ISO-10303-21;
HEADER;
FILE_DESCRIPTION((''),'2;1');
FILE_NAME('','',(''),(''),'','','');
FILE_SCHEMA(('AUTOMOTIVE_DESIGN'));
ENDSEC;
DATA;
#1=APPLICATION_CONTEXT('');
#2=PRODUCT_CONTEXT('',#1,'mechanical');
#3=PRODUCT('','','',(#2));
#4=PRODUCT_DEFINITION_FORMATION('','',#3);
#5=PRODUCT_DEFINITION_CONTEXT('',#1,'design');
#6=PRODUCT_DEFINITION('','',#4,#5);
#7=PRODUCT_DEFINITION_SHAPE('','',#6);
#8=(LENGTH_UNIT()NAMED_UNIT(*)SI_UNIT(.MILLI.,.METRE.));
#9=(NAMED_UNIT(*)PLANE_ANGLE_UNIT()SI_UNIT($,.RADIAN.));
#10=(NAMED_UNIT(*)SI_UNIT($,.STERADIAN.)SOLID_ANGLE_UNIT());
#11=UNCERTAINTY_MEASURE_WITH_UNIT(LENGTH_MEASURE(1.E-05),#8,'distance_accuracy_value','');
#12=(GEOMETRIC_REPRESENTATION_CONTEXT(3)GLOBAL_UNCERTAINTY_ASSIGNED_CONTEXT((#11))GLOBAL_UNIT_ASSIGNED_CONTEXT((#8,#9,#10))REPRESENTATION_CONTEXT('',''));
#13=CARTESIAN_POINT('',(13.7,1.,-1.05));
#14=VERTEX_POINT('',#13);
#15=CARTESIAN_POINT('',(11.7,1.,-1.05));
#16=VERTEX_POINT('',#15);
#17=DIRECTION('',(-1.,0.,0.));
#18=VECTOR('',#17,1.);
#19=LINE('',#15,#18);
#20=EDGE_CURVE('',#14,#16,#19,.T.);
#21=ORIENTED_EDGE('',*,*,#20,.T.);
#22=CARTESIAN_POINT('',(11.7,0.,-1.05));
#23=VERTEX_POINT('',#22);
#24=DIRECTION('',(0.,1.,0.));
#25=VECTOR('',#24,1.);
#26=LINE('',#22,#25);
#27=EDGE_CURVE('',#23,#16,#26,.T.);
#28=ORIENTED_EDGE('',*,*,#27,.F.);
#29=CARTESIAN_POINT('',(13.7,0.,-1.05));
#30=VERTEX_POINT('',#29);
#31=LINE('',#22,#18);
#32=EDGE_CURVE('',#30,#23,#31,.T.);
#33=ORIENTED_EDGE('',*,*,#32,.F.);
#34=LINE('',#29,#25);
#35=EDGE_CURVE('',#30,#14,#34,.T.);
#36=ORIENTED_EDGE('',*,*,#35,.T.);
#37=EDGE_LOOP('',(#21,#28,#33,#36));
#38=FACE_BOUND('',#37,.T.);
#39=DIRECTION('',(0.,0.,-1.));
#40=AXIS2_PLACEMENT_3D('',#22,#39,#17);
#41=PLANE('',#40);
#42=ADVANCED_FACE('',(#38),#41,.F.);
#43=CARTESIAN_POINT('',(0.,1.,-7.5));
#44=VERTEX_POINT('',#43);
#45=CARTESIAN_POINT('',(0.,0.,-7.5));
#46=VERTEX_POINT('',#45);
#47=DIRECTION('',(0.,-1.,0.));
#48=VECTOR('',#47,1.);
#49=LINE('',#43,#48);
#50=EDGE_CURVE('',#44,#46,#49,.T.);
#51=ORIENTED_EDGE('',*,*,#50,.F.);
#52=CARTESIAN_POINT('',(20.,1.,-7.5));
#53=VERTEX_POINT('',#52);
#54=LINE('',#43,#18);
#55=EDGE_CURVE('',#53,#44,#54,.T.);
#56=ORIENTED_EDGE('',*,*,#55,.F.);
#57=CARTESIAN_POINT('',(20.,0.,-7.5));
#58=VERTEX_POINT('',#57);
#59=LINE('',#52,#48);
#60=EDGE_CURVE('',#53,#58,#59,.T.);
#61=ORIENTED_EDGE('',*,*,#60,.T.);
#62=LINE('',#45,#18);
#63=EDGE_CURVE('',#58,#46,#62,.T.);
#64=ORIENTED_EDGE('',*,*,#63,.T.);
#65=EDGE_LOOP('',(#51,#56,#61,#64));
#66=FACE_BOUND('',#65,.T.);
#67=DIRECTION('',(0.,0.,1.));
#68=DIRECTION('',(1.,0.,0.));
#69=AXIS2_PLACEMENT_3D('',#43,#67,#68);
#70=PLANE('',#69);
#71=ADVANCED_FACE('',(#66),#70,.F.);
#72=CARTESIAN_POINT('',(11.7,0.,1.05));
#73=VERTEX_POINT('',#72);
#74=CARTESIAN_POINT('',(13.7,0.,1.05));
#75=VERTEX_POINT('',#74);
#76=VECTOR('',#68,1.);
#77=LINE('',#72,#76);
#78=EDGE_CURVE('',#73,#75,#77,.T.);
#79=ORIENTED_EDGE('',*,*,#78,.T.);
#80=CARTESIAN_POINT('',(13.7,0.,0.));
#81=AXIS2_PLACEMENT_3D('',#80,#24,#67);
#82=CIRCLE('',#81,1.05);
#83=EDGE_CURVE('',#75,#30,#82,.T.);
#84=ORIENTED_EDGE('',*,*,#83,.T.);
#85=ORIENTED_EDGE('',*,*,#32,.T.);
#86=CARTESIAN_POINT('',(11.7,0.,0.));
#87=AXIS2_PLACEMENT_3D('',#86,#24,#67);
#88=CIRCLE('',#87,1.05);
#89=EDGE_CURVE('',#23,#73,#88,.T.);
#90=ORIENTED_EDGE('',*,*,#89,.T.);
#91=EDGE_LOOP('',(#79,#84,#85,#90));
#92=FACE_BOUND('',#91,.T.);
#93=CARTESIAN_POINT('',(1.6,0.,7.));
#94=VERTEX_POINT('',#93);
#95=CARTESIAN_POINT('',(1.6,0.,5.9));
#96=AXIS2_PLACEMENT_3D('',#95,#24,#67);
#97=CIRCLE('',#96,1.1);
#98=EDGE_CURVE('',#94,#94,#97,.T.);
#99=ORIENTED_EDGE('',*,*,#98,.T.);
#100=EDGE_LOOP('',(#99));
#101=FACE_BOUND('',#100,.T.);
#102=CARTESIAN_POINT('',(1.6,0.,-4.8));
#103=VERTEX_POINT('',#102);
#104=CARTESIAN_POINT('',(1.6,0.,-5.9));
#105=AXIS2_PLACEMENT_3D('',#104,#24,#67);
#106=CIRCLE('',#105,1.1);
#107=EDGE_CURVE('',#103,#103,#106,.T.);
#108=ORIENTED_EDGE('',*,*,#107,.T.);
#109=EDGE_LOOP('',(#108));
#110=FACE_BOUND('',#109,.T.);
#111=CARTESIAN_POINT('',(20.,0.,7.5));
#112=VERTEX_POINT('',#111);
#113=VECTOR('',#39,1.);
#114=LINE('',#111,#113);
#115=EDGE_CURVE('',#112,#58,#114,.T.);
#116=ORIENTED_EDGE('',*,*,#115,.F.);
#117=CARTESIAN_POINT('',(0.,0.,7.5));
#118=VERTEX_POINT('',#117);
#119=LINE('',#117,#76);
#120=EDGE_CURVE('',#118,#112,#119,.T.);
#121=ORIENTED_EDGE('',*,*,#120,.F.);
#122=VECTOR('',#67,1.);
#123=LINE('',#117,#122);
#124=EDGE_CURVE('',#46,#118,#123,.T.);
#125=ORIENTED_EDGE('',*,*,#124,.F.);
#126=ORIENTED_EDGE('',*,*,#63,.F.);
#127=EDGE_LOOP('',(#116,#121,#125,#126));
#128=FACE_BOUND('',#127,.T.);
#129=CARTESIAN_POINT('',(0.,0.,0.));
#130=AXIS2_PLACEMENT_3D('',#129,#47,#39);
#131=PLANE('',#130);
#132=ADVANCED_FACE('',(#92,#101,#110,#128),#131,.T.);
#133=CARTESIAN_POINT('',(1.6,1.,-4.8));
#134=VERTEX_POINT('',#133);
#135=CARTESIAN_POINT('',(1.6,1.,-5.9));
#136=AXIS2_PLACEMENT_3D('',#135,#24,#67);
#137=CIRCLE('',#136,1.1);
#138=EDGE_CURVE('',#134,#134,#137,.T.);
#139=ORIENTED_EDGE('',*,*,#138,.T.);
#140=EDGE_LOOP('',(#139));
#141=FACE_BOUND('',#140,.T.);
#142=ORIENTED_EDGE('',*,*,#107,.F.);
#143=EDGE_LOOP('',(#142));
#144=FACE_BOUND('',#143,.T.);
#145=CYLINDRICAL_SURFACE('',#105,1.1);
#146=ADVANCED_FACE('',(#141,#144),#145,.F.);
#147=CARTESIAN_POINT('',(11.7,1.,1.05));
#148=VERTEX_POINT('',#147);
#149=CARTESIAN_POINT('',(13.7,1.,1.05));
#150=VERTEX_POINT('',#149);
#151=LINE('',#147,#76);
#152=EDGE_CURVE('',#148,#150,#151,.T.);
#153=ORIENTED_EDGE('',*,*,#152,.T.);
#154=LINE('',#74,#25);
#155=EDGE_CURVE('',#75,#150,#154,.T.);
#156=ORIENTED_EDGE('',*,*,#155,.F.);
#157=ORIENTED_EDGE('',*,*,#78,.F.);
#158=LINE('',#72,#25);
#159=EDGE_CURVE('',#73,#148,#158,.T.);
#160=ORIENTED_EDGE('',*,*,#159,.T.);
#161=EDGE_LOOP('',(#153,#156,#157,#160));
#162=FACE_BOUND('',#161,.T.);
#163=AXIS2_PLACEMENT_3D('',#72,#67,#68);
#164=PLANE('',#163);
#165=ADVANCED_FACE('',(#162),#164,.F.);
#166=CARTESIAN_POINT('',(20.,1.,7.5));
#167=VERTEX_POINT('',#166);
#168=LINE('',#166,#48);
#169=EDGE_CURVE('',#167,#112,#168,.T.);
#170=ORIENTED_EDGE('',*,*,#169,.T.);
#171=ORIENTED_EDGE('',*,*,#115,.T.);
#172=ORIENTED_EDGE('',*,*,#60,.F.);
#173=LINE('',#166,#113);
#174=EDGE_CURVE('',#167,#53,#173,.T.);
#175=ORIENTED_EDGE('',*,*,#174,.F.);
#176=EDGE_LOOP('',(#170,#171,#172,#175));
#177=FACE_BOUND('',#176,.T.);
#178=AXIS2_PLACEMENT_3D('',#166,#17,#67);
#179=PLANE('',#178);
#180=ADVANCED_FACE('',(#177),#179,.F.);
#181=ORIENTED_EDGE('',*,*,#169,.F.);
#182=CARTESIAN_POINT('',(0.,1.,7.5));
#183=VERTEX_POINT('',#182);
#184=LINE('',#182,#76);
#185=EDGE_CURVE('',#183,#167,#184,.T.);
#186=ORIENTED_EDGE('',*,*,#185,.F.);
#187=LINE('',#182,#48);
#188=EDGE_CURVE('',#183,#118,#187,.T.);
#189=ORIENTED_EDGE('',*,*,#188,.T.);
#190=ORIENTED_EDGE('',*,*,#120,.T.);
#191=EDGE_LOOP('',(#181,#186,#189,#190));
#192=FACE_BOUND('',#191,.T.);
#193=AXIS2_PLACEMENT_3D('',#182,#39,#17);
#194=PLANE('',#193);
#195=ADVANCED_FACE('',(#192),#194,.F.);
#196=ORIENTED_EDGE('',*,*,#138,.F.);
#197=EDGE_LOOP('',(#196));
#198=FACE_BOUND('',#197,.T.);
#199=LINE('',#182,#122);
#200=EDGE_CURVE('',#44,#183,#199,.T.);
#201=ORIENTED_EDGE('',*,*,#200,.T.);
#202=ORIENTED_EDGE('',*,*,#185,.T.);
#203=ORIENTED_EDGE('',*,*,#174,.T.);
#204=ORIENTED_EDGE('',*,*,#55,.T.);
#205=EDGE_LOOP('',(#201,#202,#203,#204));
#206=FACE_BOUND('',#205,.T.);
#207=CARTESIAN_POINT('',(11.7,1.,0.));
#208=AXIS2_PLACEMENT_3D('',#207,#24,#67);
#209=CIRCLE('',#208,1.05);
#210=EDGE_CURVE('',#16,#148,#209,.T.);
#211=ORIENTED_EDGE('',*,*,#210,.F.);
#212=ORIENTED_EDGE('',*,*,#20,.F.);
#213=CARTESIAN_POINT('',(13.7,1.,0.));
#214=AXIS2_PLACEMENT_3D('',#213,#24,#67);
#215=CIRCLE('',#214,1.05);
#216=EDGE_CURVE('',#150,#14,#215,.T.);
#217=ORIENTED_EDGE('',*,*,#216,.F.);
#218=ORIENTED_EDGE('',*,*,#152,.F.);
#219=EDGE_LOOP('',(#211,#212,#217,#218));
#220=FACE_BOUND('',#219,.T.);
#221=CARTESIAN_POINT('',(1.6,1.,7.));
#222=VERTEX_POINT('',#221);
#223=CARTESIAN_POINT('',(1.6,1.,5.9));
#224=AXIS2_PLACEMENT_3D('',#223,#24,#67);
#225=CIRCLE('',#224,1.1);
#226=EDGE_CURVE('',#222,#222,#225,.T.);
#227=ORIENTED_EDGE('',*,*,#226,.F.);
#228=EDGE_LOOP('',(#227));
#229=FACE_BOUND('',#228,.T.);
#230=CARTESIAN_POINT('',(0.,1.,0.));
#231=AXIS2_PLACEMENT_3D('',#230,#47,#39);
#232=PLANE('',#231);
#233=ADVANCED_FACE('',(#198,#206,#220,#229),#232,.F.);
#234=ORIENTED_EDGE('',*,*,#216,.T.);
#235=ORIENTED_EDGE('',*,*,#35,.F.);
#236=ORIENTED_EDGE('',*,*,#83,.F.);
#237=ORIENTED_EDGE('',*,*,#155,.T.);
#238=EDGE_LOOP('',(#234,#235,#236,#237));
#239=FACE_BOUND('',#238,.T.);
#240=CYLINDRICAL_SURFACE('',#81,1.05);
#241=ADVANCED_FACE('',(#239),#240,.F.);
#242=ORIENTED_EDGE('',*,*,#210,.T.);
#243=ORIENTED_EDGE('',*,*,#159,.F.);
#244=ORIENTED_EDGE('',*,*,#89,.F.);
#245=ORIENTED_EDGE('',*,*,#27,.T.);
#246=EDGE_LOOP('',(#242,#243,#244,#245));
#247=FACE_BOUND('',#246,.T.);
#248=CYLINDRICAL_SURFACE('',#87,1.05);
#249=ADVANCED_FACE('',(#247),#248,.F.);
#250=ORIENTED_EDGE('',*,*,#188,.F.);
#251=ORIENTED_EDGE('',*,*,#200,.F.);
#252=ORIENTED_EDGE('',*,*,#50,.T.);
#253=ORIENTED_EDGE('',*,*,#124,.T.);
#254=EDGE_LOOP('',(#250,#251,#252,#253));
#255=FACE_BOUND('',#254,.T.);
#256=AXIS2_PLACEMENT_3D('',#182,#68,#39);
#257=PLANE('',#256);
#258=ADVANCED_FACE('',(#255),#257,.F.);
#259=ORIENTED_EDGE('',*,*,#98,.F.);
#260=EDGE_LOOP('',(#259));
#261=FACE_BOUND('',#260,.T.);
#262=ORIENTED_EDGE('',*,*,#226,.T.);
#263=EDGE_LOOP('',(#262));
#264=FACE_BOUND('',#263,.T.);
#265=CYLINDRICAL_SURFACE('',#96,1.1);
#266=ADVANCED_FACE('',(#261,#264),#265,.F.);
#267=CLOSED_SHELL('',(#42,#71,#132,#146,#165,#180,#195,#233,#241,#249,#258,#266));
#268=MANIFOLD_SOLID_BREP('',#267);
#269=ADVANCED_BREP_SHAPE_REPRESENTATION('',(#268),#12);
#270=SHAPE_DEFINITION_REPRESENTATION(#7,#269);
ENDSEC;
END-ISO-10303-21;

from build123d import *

# Parameters (mm, degrees)
ESQUISSE1_W             = 20
ESQUISSE1_H             = 15
BOSS_EXTRU_1_DEPTH      = 1
ESQUISSE2_R             = 1.1
ENL_V_MAT_EXTRU_1_DEPTH = 22.38340478


with BuildPart() as part:
    # Esquisse1 → Boss.-Extru.1 (new body)
    with BuildSketch(Plane(origin=(0, 0, 0), x_dir=(1, 0, 0), z_dir=(0, 1, 0))):
        with Locations((10, 0)):
            Rectangle(ESQUISSE1_W, ESQUISSE1_H)
    extrude(amount=BOSS_EXTRU_1_DEPTH)

    # Esquisse2 → Enlèv. mat.-Extru.1 (cut, through all)
    with BuildSketch(Plane(origin=(0, 1, 0), x_dir=(1, 0, 0), z_dir=(0, 1, 0))):
        with Locations(Location((1.6, 5.9, 0), (0, 0, 270))):
            Circle(ESQUISSE2_R)
        with Locations(Location((1.6, -5.9, 0), (0, 0, 270))):
            Circle(ESQUISSE2_R)
        with BuildLine():
            Line((11.7, 1.05), (13.7, 1.05))
            ThreePointArc((13.7, 1.05), (14.75, 0), (13.7, -1.05))
            Line((13.7, -1.05), (11.7, -1.05))
            ThreePointArc((11.7, -1.05), (10.65, 0), (11.7, 1.05))
        make_face()
    extrude(amount=-ENL_V_MAT_EXTRU_1_DEPTH, mode=Mode.SUBTRACT)


solid = part.part
